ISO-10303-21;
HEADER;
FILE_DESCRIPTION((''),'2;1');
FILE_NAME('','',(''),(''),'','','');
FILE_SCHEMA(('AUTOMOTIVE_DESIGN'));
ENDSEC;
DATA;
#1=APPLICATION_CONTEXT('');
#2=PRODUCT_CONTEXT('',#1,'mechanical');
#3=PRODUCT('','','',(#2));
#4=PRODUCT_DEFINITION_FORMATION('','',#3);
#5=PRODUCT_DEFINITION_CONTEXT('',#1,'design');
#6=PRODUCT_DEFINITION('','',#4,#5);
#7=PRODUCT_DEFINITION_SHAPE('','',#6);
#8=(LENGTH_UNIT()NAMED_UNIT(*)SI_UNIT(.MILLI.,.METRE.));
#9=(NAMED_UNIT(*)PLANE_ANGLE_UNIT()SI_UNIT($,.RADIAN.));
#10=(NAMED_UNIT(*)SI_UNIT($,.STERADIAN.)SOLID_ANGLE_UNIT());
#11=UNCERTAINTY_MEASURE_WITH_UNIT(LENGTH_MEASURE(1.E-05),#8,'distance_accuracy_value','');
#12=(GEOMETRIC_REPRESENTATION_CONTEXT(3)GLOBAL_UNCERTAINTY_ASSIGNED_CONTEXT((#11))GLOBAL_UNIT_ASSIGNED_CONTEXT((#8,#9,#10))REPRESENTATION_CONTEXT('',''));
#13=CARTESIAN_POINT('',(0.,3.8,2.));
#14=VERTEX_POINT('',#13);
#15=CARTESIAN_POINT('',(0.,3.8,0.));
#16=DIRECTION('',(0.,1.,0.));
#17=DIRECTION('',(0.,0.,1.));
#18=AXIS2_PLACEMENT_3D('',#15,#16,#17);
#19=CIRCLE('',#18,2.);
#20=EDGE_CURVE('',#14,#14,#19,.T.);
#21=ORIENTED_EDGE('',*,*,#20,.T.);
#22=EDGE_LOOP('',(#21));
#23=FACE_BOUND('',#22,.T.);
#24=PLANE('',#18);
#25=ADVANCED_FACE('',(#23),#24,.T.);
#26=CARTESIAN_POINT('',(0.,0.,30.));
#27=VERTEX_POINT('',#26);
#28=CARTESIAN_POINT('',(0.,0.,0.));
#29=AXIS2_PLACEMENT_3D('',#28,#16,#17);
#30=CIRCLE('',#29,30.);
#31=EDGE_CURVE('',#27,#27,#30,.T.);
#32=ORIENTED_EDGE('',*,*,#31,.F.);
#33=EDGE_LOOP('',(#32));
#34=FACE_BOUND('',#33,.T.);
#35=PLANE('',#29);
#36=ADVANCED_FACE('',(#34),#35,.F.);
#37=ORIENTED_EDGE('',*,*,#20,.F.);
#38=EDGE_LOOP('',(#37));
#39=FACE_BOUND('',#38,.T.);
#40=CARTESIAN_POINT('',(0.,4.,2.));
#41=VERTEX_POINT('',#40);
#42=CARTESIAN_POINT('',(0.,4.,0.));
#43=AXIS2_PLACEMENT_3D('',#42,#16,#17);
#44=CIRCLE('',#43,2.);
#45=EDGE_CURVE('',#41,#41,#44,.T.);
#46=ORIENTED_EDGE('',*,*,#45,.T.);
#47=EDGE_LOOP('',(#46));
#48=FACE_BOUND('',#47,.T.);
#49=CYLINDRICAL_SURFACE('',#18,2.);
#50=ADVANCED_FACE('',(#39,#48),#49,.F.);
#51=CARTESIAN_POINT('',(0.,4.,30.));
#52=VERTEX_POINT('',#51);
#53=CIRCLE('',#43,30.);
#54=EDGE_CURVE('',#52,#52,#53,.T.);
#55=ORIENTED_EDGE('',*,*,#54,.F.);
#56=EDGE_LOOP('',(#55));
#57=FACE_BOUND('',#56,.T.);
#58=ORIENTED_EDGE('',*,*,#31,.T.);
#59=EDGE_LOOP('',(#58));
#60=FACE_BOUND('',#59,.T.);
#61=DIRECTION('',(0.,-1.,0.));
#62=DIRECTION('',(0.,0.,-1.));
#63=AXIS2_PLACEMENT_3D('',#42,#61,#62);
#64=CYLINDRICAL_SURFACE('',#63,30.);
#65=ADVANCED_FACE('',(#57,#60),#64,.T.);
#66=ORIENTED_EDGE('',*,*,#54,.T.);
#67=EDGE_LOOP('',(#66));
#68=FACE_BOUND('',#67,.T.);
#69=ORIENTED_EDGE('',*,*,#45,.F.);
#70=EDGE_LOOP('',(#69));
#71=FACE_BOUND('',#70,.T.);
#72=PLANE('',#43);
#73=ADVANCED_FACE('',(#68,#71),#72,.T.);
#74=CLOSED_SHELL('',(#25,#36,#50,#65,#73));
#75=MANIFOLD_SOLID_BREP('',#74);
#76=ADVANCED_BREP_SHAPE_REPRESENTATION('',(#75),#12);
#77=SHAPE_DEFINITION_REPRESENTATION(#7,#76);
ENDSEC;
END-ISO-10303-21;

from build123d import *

# Parameters (mm, degrees)
SKETCH1_R           = 30
BOSS_EXTRUDE1_DEPTH = 4
SKETCH2_R           = 2
CUT_EXTRUDE1_DEPTH  = 0.2


with BuildPart() as part:
    # Sketch1 → Boss-Extrude1 (new body)
    with BuildSketch(Plane(origin=(0, 0, 0), x_dir=(1, 0, 0), z_dir=(0, 1, 0))):
        with Locations(Location((0, 0, 0), (0, 0, 270))):
            Circle(SKETCH1_R)
    extrude(amount=BOSS_EXTRUDE1_DEPTH)

    # Sketch2 → Cut-Extrude1 (cut)
    with BuildSketch(Plane(origin=(0, 4, 0), x_dir=(1, 0, 0), z_dir=(0, 1, 0))):
        with Locations(Location((0, 0, 0), (0, 0, 270))):
            Circle(SKETCH2_R)
    extrude(amount=-CUT_EXTRUDE1_DEPTH, mode=Mode.SUBTRACT)


solid = part.part
